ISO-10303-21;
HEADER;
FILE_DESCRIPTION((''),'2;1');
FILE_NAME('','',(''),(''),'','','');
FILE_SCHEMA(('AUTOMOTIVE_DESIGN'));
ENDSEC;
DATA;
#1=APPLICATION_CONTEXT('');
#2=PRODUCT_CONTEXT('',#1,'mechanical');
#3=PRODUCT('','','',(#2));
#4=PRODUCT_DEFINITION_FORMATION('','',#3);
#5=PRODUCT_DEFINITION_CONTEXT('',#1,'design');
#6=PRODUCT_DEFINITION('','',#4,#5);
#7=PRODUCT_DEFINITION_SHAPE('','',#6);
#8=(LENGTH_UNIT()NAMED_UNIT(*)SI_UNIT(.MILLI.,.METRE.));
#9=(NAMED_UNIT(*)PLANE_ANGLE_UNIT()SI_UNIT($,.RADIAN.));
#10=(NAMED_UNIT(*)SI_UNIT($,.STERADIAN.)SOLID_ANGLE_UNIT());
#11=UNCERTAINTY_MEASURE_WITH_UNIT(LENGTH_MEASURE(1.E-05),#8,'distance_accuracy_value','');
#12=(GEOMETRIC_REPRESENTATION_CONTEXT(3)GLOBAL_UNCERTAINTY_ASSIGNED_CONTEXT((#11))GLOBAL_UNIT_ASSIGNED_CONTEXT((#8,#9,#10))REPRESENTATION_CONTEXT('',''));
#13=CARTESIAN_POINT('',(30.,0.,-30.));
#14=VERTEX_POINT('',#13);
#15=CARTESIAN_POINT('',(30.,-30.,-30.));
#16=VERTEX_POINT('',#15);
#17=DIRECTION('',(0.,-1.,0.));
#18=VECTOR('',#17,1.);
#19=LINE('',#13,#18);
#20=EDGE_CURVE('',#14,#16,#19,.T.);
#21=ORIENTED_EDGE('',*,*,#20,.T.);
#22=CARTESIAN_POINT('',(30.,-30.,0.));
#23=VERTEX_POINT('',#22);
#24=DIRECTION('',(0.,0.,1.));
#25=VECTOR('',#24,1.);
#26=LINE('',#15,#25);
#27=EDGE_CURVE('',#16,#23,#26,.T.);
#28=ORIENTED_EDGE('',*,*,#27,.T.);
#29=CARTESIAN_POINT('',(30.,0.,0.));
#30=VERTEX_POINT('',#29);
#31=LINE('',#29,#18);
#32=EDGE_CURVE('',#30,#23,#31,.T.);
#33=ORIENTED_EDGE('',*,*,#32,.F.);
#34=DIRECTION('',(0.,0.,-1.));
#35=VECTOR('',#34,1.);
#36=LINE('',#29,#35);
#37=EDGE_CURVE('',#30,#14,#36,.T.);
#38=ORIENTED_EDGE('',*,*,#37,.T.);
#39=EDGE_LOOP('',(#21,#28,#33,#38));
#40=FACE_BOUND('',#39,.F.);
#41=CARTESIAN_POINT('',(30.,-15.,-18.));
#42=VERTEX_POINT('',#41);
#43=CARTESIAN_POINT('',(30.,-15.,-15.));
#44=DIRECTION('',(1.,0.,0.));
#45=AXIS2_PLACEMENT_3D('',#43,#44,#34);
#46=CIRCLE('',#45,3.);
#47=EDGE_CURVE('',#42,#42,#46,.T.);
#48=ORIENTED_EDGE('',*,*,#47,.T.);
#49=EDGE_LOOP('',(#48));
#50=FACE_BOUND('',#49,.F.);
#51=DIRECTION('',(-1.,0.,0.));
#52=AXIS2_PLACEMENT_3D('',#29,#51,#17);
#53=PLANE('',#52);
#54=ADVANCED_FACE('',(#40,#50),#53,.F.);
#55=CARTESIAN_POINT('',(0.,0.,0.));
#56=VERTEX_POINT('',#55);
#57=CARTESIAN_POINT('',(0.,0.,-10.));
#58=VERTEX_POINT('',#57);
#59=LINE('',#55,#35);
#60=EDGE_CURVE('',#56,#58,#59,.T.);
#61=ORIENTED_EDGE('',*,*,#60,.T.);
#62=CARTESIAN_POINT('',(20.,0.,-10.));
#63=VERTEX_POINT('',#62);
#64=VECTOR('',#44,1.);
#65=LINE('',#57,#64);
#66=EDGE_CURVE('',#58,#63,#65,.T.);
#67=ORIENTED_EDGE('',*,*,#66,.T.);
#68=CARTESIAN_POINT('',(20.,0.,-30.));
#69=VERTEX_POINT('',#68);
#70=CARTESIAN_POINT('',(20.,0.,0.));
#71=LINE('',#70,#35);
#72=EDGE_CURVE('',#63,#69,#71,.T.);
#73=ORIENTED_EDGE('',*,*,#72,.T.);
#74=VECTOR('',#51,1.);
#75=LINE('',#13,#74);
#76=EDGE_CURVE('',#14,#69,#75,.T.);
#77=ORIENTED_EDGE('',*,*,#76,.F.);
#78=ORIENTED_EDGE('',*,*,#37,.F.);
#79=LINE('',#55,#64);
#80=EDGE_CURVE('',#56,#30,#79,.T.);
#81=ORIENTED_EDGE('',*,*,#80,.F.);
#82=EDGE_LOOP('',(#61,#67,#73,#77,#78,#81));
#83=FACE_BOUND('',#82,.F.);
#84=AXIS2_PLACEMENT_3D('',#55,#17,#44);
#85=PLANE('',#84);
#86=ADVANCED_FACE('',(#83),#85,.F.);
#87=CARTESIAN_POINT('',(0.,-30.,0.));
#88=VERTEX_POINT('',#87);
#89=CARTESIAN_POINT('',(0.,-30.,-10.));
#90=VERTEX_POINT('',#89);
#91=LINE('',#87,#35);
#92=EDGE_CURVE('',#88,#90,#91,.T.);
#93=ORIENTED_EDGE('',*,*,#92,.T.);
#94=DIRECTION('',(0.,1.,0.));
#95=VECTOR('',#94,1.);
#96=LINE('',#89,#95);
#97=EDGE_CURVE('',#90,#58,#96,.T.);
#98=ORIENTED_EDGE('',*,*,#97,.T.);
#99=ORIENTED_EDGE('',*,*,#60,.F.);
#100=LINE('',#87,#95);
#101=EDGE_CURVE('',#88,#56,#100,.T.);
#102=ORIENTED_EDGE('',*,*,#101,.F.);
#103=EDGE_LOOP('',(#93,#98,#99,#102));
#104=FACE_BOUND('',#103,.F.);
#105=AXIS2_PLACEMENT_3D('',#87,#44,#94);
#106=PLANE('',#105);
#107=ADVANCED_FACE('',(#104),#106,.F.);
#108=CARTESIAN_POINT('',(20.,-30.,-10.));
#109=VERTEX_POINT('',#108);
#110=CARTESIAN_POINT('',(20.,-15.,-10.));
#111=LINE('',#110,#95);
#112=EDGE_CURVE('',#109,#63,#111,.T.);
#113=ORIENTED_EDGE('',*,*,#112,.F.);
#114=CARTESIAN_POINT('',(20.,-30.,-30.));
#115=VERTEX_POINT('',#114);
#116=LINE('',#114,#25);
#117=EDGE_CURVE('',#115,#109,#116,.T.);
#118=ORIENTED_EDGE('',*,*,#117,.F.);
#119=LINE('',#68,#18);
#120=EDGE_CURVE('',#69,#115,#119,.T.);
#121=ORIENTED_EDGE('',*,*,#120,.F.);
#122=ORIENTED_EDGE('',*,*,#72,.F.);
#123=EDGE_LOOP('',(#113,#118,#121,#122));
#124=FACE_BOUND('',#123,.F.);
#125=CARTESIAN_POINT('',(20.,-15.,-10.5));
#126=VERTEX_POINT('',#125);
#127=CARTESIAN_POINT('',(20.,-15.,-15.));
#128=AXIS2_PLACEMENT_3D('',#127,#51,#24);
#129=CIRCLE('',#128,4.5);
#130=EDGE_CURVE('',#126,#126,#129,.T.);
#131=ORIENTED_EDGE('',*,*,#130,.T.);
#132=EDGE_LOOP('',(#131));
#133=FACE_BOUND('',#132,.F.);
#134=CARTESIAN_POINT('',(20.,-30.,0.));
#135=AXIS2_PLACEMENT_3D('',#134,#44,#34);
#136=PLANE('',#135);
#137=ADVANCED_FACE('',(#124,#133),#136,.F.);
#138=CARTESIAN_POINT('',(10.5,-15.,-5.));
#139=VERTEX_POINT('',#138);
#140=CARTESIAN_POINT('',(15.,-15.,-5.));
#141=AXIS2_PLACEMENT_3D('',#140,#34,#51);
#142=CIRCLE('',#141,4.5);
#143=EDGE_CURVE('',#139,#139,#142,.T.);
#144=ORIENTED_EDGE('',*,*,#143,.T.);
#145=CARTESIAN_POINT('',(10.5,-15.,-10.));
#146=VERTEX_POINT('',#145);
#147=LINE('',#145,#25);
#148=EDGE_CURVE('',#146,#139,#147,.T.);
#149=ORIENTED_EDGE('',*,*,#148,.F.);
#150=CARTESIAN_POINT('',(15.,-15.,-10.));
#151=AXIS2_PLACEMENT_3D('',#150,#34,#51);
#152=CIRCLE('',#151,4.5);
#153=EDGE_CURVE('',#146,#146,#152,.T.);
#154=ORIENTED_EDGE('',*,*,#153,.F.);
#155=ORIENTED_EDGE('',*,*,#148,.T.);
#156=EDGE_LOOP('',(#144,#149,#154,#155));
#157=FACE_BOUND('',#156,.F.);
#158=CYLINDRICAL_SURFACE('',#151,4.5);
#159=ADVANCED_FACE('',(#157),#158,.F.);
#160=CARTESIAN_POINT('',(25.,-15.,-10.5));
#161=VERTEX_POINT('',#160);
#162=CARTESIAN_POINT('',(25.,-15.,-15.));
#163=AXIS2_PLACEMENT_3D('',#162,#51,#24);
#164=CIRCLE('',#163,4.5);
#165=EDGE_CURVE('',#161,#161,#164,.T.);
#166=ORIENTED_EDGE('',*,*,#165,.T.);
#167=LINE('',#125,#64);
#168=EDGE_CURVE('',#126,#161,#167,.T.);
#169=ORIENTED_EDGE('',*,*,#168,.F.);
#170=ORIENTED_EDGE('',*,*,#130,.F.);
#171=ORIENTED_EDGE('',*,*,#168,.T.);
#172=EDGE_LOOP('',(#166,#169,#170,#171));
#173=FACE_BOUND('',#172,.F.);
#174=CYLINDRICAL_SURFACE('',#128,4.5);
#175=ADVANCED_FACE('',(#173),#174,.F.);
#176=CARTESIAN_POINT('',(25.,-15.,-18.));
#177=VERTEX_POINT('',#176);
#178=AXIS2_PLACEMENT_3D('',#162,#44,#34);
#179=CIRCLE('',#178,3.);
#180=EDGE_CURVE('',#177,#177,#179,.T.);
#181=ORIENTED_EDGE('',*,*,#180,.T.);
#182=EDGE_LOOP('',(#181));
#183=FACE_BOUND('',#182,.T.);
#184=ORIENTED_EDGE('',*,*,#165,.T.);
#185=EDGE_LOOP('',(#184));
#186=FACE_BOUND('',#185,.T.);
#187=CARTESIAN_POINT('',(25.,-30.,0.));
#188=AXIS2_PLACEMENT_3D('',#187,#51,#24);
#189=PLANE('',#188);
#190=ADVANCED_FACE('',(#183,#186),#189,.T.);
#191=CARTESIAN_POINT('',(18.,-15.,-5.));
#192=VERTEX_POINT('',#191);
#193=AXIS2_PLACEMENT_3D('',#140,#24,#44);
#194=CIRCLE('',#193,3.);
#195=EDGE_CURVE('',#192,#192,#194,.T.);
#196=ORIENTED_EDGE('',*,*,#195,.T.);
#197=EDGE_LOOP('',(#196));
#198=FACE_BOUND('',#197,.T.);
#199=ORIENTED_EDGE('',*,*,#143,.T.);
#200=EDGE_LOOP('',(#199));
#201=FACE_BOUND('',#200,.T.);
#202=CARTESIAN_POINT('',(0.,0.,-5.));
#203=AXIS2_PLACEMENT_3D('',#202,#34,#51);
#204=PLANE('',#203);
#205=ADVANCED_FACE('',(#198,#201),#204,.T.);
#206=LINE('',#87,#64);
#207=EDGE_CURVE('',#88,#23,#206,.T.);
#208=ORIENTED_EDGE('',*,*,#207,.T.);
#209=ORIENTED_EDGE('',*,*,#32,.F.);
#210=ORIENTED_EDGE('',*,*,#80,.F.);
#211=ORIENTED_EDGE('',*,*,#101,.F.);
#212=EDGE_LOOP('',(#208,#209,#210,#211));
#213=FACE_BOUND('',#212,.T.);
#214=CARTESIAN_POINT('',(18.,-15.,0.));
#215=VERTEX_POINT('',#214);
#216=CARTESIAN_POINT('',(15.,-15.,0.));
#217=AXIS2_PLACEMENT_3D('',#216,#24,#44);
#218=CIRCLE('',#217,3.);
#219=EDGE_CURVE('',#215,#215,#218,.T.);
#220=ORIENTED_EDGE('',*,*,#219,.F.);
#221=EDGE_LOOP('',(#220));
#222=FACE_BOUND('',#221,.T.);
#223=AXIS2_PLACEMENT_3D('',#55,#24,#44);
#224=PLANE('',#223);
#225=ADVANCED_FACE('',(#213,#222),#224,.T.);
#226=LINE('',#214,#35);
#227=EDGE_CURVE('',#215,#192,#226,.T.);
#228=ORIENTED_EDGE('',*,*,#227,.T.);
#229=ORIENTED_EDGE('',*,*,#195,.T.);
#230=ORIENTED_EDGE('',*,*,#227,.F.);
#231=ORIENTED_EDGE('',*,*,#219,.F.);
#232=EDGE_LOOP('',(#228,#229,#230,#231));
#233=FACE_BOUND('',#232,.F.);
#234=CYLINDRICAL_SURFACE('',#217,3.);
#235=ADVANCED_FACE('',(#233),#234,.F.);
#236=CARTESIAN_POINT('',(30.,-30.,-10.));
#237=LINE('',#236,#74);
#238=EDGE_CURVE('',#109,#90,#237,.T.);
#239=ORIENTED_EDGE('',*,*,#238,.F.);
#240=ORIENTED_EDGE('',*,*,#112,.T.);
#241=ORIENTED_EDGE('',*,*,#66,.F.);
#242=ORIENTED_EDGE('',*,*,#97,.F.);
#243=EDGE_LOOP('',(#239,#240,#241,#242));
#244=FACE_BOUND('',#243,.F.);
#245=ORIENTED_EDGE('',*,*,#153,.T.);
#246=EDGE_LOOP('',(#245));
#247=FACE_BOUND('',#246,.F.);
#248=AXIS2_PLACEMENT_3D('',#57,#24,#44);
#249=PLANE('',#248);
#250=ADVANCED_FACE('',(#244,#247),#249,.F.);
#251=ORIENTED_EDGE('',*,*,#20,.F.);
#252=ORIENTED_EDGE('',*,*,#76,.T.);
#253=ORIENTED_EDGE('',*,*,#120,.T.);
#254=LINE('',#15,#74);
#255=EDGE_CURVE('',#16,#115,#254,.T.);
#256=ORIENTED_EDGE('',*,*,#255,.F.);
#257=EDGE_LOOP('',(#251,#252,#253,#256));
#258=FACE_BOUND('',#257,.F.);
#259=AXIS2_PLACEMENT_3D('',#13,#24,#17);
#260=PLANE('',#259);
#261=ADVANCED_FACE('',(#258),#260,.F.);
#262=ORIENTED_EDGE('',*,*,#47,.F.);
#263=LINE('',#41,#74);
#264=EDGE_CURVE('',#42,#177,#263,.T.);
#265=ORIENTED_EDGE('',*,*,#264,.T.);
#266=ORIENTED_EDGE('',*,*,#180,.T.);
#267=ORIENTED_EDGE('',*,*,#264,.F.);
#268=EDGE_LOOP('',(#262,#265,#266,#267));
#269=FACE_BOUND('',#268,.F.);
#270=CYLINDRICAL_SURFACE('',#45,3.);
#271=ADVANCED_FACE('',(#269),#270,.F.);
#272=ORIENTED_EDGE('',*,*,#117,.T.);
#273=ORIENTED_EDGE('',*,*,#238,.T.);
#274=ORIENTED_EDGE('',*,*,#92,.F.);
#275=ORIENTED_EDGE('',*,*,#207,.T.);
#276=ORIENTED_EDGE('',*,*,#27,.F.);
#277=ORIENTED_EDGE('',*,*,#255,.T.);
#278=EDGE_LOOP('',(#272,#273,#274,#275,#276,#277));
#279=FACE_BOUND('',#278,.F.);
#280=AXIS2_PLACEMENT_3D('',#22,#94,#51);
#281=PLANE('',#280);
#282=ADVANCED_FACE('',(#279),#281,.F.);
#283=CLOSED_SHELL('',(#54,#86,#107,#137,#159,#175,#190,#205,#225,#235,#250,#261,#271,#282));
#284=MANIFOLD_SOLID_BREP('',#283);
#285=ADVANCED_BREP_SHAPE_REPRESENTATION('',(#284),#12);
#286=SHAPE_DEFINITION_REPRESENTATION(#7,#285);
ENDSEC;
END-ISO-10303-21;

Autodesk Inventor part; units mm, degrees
ref_plane "YZ Plane" through (0, 0, 0) normal (1, 0, 0) x (0, 1, 0)
ref_plane "XZ Plane" through (0, 0, 0) normal (0, 1, 0) x (-1, 0, 0)
ref_plane "XY Plane" through (0, 0, 0) normal (0, 0, 1) x (1, 0, 0)
sketch "Sketch34" plane through (0, 0, 0) normal (0, 0, 1) x (1, 0, 0)
  line L0 (0, 0) -> (30, 0)
  line L1 (30, 0) -> (30, -30)
  line L2 (30, -30) -> (0, -30)
  line L3 (0, -30) -> (0, 0)
  dimension "d112" = 30
  dimension "d113" = 30
extrude "Extrusion25" add sketch "Sketch34" against normal blind 10
sketch "Sketch35" plane through (30, -30, 0) normal (1, 0, 0) x (0, 0, -1)
  line L0 (0, 30) -> (10, 30) projected
  line L1 (0, 30) -> (30, 30)
  line L2 (30, 30) -> (30, 0)
  line L3 (30, 0) -> (0, 0)
  line L4 (0, 0) -> (0, 30)
  dimension "d116" = 30
  dimension "d117" = 30
extrude "Extrusion26" add sketch "Sketch35" against normal blind 10
sketch "Sketch37" plane through (30, -30, 0) normal (1, 0, 0) x (0, 0, -1)
  point P0 (0, 30)
sketch "Sketch38" plane through (30, -30, 0) normal (1, 0, 0) x (0, 0, -1)
  circle A0 centre (15, 15) radius 3
  point P0 (0, 30)
  dimension "d123" = 6
extrude "Extrusion28" cut sketch "Sketch38" against normal blind 10
sketch "Sketch39" plane through (30, -30, 0) normal (1, 0, 0) x (0, 0, -1)
  point P0 (0, 30)
sketch "Sketch43" plane through (20, -30, 0) normal (-1, 0, 0) x (0, 0, 1)
  circle A0 centre (-15, 15) radius 4.5
  point P0 (0, 30)
  dimension "d135" = 9
extrude "Extrusion32" cut sketch "Sketch43" against normal blind 5
sketch "Sketch44" plane through (0, 0, -10) normal (0, 0, -1) x (-1, 0, 0)
  circle A0 centre (-15, -15) radius 4.5
  point P0 (0, 0)
  dimension "d138" = 9
extrude "Extrusion33" cut sketch "Sketch44" against normal blind 5
sketch "Sketch45" plane through (0, 0, 0) normal (0, 0, 1) x (1, 0, 0)
  circle A0 centre (15, -15) radius 4.5 projected
  circle A1 centre (15, -15) radius 3
  point P0 (0, 0)
  dimension "d141" = 6
extrude "Extrusion34" cut sketch "Sketch45" against normal blind 10 contours A1
properties part number "tunnel corner bracket_v02"
